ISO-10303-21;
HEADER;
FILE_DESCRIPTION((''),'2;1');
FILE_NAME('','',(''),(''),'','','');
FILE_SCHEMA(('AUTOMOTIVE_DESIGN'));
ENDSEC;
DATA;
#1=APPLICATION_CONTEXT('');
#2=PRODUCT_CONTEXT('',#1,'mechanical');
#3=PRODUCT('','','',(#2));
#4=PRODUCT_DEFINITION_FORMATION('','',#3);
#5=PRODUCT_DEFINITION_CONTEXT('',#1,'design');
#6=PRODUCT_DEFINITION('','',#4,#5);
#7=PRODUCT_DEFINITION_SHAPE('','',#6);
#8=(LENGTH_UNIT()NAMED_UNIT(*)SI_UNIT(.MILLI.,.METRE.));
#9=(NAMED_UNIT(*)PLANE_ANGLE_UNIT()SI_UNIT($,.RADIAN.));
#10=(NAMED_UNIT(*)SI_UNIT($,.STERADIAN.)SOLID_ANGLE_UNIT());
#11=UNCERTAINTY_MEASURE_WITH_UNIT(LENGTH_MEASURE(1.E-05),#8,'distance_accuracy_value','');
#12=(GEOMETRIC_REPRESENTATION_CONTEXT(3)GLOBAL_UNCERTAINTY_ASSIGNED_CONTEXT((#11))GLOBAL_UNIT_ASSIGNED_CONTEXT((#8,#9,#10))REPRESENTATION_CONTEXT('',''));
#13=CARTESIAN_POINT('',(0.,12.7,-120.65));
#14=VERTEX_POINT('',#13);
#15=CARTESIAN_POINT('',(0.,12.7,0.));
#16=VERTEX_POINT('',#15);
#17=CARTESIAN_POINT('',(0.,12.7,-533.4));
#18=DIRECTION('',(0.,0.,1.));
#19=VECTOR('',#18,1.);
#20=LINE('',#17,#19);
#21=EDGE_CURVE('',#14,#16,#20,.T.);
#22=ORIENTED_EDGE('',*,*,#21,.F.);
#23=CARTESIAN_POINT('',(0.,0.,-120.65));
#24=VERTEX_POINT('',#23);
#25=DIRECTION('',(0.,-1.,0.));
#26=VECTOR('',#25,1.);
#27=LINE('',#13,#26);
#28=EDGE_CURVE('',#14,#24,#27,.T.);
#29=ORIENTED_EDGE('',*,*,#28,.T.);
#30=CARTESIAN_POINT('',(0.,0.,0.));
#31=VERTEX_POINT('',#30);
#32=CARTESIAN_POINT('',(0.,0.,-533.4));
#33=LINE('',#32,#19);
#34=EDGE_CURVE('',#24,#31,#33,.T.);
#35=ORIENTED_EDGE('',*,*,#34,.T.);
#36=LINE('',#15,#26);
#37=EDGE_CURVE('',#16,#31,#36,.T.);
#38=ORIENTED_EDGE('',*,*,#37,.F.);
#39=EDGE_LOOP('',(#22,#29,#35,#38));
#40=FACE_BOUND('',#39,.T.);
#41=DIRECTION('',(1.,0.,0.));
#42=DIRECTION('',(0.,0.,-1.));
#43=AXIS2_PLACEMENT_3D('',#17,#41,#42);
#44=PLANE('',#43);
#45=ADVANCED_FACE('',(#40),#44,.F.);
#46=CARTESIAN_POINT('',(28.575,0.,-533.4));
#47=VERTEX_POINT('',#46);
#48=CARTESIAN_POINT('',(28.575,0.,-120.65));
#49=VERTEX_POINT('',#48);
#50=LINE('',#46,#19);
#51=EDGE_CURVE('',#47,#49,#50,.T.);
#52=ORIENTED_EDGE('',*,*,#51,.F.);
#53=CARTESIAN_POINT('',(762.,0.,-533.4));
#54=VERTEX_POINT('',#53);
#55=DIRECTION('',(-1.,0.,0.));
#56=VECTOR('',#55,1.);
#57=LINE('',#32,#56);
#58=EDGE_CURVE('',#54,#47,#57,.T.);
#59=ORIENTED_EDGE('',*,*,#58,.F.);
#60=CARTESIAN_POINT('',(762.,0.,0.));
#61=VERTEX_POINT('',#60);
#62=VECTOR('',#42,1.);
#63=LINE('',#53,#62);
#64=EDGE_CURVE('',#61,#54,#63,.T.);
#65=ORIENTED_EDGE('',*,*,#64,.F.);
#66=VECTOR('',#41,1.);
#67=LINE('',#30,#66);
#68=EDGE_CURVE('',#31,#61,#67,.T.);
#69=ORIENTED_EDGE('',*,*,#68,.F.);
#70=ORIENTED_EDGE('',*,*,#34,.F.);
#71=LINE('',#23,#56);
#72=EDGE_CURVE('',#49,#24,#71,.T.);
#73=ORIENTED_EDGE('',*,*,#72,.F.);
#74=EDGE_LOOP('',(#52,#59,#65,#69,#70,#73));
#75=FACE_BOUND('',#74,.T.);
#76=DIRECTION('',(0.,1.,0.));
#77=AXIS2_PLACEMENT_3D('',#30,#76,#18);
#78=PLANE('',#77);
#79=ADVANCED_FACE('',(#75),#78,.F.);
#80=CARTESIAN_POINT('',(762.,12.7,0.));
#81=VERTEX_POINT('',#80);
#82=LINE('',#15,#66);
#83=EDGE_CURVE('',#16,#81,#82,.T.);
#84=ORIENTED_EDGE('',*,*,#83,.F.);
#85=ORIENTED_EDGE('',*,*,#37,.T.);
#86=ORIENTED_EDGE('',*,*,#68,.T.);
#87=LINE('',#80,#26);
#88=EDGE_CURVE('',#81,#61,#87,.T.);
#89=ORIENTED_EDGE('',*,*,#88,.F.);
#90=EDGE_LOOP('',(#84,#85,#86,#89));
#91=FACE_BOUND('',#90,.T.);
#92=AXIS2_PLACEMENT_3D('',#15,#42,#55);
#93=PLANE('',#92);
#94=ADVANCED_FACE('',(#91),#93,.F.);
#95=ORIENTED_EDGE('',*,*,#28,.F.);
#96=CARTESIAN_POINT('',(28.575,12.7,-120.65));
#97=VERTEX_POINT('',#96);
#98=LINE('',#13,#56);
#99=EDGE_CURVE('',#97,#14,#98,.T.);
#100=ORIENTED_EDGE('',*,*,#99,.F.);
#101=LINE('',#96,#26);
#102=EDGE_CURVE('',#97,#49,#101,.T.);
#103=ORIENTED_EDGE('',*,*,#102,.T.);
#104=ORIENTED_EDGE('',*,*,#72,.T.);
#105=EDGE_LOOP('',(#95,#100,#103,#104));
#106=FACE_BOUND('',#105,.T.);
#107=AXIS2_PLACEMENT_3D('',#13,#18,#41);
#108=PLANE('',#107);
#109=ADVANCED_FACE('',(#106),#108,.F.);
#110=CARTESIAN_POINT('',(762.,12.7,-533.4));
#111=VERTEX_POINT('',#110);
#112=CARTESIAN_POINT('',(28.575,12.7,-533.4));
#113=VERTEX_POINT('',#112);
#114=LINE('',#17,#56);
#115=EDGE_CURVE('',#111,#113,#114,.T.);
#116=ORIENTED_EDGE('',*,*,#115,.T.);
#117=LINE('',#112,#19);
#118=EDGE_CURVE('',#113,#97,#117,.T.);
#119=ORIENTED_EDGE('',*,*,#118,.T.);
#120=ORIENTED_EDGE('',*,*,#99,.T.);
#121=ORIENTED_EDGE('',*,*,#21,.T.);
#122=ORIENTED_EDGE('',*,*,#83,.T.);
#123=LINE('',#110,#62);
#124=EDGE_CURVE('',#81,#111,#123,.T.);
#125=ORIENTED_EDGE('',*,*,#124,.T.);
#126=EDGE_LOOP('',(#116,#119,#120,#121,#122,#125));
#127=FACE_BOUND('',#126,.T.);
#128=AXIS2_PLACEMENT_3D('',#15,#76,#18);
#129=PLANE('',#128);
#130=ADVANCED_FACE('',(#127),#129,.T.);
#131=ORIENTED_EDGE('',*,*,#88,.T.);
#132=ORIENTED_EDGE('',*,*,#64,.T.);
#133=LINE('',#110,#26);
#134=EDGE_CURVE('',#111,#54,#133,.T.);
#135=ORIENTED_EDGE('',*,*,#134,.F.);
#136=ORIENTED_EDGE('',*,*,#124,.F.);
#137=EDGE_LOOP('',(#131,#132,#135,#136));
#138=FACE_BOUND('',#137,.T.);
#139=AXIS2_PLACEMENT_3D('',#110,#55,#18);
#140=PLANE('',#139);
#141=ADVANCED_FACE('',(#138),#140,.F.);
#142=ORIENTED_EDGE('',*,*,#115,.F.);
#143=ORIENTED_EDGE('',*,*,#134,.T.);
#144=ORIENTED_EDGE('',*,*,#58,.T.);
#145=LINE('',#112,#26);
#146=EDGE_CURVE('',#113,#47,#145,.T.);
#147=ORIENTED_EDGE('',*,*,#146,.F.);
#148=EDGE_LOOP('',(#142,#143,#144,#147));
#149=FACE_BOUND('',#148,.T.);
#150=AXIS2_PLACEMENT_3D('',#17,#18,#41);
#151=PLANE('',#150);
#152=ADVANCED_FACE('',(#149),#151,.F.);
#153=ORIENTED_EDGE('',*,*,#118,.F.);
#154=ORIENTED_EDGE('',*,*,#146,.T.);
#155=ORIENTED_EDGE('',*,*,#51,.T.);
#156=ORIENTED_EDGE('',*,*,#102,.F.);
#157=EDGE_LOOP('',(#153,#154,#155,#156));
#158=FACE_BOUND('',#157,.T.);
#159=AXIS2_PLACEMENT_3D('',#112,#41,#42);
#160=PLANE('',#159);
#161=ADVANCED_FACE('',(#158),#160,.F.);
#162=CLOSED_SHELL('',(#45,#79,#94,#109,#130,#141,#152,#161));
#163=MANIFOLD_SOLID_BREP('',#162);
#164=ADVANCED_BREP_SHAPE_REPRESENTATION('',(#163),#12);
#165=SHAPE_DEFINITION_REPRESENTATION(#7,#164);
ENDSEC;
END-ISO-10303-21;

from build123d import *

# Parameters (mm, degrees)
SKETCH1_W           = 762
SKETCH1_H           = 533.4
BOSS_EXTRUDE1_DEPTH = 12.7
SKETCH2_W           = 28.575
SKETCH2_H           = 412.75
CUT_EXTRUDE1_DEPTH  = 931.226235923


with BuildPart() as part:
    # Sketch1 → Boss-Extrude1 (new body)
    with BuildSketch(Plane(origin=(0, 0, 0), x_dir=(1, 0, 0), z_dir=(0, 1, 0))):
        with Locations((381, 266.7)):
            Rectangle(SKETCH1_W, SKETCH1_H)
    extrude(amount=BOSS_EXTRUDE1_DEPTH)

    # Sketch2 → Cut-Extrude1 (cut, through all)
    with BuildSketch(Plane.XZ):
        with Locations((14.2875, -327.025)):
            Rectangle(SKETCH2_W, SKETCH2_H)
    extrude(amount=-CUT_EXTRUDE1_DEPTH, mode=Mode.SUBTRACT)


solid = part.part
